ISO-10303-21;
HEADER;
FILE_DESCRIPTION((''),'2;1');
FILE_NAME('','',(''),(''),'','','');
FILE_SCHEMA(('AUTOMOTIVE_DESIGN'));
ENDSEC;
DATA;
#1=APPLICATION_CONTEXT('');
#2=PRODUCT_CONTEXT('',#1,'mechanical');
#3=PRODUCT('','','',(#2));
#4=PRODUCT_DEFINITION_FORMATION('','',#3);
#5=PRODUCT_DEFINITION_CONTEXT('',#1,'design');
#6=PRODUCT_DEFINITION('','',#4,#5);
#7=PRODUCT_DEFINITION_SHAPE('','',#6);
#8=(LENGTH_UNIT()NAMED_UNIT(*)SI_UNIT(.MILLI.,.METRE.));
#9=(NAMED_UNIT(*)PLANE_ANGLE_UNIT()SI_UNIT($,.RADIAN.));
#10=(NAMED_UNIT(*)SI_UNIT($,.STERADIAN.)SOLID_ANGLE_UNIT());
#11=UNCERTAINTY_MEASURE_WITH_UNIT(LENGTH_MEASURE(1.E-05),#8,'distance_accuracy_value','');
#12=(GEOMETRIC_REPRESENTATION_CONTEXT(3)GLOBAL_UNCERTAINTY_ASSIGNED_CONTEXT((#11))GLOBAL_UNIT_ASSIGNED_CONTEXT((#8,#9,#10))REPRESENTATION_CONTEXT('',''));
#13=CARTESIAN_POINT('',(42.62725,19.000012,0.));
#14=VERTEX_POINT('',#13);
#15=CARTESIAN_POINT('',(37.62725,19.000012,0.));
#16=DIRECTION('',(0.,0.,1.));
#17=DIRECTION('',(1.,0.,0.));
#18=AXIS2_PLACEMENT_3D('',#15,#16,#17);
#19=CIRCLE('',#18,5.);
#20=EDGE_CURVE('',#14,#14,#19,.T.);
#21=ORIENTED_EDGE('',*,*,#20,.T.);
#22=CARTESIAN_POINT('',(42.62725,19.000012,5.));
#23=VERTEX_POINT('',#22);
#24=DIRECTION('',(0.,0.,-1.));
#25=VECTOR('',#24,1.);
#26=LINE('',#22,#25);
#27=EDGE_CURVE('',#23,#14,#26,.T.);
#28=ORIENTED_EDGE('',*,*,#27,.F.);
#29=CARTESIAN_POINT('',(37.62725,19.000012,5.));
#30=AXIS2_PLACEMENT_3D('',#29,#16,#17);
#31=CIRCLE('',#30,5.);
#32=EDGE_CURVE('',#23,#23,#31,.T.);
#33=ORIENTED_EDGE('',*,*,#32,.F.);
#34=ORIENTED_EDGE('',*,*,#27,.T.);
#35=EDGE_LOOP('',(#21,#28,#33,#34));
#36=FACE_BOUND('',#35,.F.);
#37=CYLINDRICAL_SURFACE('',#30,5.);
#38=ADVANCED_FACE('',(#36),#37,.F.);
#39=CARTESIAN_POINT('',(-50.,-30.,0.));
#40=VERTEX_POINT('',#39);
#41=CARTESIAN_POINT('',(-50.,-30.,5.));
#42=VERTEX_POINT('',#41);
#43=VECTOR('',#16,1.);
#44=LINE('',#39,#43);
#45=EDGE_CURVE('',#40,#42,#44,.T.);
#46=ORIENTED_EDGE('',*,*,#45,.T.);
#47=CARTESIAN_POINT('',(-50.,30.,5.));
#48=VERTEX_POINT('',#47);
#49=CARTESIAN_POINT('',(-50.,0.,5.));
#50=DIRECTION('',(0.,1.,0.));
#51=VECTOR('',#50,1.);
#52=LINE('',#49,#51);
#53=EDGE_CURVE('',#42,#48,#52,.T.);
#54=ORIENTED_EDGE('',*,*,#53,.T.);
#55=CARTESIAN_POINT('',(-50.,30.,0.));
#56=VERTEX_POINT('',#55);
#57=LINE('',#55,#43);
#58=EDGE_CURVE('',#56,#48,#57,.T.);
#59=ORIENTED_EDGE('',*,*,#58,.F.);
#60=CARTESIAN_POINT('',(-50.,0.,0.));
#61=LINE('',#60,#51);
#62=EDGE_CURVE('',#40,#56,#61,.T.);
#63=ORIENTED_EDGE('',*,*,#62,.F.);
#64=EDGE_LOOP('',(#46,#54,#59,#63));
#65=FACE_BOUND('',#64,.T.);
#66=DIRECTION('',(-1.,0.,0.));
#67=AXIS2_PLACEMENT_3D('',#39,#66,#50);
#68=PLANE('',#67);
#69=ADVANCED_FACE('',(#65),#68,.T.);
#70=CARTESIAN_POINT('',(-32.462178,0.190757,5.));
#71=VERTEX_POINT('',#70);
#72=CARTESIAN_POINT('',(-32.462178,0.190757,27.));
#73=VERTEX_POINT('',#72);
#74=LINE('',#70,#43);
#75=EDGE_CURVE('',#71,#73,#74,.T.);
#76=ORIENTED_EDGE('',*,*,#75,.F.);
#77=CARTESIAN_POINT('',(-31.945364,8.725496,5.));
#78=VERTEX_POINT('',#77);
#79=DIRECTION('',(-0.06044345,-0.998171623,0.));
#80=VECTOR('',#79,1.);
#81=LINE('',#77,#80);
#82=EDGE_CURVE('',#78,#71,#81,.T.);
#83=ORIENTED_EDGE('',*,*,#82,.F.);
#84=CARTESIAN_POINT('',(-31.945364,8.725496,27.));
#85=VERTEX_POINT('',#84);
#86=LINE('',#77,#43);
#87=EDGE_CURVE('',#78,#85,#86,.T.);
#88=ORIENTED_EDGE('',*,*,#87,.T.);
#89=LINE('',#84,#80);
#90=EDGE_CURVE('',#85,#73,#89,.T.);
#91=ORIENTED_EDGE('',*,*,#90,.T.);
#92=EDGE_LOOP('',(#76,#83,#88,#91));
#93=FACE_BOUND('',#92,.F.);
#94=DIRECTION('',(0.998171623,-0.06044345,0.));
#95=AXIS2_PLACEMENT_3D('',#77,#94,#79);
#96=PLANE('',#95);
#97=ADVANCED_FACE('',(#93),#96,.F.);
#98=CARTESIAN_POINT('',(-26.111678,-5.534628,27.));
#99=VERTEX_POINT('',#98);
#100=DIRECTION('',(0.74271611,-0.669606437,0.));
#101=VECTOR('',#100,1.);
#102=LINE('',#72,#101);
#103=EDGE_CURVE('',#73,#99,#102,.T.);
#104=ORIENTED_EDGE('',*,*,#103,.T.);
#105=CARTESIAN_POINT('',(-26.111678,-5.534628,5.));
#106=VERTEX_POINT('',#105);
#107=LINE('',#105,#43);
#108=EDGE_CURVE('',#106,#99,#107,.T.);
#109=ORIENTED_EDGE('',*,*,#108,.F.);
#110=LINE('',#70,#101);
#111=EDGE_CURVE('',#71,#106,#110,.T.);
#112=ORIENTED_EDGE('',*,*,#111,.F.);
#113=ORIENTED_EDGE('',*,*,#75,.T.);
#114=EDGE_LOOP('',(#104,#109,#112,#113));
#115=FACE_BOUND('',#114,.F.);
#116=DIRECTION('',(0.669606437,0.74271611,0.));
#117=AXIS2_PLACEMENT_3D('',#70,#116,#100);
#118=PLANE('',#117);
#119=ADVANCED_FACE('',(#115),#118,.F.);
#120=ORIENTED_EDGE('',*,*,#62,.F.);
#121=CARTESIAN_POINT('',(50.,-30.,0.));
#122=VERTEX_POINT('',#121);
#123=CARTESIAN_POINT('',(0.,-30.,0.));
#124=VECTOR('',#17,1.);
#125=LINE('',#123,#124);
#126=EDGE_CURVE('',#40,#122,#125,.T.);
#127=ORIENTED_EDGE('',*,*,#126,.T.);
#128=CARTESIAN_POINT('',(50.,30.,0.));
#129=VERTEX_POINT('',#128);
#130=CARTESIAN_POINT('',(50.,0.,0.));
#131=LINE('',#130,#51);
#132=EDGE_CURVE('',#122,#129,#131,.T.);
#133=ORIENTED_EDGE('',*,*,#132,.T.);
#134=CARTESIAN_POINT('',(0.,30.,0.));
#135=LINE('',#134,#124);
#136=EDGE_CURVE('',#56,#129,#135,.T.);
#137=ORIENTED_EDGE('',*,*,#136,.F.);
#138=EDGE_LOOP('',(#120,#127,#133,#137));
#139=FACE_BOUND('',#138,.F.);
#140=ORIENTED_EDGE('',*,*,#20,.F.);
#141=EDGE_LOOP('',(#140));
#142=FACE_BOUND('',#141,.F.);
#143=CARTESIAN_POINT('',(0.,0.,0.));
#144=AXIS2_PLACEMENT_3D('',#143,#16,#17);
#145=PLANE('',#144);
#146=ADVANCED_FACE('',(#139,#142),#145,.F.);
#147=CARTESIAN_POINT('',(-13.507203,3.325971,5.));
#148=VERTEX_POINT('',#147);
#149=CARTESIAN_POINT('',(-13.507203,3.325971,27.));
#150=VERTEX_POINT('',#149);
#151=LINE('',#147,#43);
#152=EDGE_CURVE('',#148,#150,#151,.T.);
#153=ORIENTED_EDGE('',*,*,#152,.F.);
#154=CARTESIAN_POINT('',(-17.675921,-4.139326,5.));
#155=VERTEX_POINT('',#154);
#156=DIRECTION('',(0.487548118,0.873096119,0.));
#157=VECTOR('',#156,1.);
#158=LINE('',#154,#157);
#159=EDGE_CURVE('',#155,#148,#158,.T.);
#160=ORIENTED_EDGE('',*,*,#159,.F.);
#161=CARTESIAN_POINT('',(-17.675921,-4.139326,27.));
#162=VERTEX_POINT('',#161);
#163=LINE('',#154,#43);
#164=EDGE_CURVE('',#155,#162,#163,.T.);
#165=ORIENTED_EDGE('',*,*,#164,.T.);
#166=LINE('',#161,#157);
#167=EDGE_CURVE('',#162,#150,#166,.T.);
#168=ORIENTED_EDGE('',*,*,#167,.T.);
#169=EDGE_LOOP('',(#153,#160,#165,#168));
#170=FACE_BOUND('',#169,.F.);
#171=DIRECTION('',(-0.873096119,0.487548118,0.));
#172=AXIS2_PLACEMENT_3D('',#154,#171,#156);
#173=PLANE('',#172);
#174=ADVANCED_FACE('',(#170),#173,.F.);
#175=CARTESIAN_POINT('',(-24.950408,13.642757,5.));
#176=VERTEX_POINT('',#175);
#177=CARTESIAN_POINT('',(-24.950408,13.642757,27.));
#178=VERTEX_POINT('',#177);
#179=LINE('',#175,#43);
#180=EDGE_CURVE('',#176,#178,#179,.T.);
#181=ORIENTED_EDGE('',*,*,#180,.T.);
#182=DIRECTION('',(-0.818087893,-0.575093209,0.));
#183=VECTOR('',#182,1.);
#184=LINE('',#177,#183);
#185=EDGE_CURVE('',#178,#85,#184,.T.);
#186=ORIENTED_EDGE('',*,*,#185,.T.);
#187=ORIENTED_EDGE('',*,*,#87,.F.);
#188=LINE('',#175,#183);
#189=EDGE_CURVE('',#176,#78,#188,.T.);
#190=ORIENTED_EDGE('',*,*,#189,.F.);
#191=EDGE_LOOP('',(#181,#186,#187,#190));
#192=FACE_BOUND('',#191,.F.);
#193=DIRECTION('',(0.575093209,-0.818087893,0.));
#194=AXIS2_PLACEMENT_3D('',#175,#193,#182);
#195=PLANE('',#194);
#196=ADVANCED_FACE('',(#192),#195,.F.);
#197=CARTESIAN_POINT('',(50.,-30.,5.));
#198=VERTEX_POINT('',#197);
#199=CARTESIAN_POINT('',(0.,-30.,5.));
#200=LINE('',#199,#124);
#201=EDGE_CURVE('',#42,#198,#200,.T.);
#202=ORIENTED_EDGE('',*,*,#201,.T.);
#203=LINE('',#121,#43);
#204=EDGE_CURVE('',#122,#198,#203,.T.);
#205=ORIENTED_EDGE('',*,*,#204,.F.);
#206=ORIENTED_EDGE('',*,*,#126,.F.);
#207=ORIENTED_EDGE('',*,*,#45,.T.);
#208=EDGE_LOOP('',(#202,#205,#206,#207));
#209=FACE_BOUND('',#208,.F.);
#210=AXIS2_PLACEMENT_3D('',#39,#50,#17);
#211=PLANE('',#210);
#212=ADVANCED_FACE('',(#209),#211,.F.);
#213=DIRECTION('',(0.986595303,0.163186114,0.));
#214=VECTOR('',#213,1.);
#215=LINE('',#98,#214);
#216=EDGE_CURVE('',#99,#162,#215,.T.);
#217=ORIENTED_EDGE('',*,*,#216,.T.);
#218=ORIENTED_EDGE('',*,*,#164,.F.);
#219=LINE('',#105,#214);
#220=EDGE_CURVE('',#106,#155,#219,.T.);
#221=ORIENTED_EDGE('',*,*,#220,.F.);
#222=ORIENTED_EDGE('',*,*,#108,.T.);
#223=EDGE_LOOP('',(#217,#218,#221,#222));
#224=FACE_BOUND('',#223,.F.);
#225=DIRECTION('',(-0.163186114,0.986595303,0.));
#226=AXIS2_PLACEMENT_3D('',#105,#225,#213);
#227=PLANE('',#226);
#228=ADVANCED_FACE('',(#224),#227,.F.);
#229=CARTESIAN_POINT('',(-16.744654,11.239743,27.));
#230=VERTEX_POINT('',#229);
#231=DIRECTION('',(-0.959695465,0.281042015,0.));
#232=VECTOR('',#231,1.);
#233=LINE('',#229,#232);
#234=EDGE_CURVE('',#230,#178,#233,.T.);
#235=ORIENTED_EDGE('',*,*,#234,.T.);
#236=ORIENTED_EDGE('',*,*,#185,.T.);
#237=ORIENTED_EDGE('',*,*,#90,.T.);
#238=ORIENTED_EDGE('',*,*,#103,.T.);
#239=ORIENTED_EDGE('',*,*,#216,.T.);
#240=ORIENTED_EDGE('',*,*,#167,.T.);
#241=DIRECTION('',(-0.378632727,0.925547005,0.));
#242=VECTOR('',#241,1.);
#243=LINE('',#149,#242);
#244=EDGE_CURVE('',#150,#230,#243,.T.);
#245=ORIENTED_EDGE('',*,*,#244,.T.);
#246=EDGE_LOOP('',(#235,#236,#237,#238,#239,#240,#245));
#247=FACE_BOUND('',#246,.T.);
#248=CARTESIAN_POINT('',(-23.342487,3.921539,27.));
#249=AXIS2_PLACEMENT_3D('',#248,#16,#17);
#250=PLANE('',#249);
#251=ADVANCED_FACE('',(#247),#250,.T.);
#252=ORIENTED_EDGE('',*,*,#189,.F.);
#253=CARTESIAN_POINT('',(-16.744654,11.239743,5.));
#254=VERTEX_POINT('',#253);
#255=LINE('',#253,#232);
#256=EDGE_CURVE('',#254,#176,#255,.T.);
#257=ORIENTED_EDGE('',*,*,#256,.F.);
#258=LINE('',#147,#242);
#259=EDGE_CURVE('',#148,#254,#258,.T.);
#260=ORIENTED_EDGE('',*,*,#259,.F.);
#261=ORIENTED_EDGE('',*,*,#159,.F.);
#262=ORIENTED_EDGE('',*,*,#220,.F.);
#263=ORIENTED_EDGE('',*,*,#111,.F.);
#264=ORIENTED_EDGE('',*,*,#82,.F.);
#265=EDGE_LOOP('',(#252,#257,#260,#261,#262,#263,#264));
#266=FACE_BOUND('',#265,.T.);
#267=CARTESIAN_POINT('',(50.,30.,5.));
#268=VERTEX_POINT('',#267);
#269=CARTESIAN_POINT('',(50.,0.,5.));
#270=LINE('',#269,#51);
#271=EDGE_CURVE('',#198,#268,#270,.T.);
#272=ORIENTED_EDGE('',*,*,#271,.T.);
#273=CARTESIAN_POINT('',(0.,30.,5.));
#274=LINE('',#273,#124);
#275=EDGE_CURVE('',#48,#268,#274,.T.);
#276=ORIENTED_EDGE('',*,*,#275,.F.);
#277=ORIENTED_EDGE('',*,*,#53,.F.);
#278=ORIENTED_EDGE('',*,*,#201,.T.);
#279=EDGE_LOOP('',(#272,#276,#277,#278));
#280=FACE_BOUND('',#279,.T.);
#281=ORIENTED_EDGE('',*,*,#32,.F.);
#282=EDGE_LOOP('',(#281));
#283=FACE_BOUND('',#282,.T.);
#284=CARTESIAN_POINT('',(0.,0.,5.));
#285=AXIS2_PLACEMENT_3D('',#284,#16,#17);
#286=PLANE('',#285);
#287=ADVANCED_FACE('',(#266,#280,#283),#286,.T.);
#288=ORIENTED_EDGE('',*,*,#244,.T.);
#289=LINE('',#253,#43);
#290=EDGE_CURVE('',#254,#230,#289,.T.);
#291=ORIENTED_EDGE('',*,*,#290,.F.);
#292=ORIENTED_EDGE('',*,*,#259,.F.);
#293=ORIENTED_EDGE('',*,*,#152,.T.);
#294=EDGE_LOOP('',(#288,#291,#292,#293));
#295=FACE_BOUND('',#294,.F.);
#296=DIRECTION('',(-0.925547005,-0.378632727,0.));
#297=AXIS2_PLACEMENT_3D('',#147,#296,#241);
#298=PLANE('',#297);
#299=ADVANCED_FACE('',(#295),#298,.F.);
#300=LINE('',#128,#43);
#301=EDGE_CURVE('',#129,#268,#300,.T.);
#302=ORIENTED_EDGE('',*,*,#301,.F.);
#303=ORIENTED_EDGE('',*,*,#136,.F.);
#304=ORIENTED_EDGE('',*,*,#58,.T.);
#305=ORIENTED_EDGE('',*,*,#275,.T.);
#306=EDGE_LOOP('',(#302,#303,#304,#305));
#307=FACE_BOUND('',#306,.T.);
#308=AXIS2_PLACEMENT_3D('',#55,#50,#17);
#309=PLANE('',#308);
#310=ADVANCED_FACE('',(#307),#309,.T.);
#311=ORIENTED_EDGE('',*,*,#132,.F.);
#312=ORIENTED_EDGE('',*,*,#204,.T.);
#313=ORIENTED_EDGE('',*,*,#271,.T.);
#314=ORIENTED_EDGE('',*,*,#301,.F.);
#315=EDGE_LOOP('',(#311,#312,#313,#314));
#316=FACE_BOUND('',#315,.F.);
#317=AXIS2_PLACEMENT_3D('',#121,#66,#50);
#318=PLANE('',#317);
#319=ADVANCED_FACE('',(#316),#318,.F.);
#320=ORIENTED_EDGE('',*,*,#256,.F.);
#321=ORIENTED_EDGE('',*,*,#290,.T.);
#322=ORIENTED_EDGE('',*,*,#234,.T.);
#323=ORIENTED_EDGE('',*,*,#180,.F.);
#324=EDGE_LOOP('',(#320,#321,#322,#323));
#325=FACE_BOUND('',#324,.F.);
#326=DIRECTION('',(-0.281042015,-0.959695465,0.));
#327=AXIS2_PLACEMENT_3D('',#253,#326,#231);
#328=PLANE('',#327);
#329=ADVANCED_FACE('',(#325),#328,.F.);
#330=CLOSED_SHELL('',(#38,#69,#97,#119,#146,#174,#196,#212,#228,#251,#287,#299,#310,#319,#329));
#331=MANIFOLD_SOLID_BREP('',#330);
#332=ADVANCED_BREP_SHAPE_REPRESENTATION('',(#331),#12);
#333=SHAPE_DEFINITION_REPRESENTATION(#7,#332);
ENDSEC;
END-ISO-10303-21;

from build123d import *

# Parameters (mm, degrees)
F0_W     = 100
F0_H     = 60
F1_DEPTH = 5
F2_R     = 5
F3_DEPTH = 25
F5_DEPTH = 22


with BuildPart() as f1:
    # F0 (on Top) → F1 (new body)
    with BuildSketch(Plane.XY):
        Rectangle(F0_W, F0_H)
    extrude(amount=F1_DEPTH)

    # F2 (on face) → F3 (cut)
    with BuildSketch(Plane.XY.offset(5)):
        with Locations((37.62725, 19.000012)):
            Circle(F2_R)
    extrude(amount=-F3_DEPTH, mode=Mode.SUBTRACT)

    # F4 (on face) → F5 (join)
    with BuildSketch(Plane.XY.offset(5)):
        Polygon((-13.507203, 3.325971), (-16.744654, 11.239743), (-24.950408, 13.642757), (-31.945364, 8.725496), (-32.462178, 0.190757), (-26.111678, -5.534628), (-17.675921, -4.139326), align=None)
    extrude(amount=F5_DEPTH)


solid = f1.part
